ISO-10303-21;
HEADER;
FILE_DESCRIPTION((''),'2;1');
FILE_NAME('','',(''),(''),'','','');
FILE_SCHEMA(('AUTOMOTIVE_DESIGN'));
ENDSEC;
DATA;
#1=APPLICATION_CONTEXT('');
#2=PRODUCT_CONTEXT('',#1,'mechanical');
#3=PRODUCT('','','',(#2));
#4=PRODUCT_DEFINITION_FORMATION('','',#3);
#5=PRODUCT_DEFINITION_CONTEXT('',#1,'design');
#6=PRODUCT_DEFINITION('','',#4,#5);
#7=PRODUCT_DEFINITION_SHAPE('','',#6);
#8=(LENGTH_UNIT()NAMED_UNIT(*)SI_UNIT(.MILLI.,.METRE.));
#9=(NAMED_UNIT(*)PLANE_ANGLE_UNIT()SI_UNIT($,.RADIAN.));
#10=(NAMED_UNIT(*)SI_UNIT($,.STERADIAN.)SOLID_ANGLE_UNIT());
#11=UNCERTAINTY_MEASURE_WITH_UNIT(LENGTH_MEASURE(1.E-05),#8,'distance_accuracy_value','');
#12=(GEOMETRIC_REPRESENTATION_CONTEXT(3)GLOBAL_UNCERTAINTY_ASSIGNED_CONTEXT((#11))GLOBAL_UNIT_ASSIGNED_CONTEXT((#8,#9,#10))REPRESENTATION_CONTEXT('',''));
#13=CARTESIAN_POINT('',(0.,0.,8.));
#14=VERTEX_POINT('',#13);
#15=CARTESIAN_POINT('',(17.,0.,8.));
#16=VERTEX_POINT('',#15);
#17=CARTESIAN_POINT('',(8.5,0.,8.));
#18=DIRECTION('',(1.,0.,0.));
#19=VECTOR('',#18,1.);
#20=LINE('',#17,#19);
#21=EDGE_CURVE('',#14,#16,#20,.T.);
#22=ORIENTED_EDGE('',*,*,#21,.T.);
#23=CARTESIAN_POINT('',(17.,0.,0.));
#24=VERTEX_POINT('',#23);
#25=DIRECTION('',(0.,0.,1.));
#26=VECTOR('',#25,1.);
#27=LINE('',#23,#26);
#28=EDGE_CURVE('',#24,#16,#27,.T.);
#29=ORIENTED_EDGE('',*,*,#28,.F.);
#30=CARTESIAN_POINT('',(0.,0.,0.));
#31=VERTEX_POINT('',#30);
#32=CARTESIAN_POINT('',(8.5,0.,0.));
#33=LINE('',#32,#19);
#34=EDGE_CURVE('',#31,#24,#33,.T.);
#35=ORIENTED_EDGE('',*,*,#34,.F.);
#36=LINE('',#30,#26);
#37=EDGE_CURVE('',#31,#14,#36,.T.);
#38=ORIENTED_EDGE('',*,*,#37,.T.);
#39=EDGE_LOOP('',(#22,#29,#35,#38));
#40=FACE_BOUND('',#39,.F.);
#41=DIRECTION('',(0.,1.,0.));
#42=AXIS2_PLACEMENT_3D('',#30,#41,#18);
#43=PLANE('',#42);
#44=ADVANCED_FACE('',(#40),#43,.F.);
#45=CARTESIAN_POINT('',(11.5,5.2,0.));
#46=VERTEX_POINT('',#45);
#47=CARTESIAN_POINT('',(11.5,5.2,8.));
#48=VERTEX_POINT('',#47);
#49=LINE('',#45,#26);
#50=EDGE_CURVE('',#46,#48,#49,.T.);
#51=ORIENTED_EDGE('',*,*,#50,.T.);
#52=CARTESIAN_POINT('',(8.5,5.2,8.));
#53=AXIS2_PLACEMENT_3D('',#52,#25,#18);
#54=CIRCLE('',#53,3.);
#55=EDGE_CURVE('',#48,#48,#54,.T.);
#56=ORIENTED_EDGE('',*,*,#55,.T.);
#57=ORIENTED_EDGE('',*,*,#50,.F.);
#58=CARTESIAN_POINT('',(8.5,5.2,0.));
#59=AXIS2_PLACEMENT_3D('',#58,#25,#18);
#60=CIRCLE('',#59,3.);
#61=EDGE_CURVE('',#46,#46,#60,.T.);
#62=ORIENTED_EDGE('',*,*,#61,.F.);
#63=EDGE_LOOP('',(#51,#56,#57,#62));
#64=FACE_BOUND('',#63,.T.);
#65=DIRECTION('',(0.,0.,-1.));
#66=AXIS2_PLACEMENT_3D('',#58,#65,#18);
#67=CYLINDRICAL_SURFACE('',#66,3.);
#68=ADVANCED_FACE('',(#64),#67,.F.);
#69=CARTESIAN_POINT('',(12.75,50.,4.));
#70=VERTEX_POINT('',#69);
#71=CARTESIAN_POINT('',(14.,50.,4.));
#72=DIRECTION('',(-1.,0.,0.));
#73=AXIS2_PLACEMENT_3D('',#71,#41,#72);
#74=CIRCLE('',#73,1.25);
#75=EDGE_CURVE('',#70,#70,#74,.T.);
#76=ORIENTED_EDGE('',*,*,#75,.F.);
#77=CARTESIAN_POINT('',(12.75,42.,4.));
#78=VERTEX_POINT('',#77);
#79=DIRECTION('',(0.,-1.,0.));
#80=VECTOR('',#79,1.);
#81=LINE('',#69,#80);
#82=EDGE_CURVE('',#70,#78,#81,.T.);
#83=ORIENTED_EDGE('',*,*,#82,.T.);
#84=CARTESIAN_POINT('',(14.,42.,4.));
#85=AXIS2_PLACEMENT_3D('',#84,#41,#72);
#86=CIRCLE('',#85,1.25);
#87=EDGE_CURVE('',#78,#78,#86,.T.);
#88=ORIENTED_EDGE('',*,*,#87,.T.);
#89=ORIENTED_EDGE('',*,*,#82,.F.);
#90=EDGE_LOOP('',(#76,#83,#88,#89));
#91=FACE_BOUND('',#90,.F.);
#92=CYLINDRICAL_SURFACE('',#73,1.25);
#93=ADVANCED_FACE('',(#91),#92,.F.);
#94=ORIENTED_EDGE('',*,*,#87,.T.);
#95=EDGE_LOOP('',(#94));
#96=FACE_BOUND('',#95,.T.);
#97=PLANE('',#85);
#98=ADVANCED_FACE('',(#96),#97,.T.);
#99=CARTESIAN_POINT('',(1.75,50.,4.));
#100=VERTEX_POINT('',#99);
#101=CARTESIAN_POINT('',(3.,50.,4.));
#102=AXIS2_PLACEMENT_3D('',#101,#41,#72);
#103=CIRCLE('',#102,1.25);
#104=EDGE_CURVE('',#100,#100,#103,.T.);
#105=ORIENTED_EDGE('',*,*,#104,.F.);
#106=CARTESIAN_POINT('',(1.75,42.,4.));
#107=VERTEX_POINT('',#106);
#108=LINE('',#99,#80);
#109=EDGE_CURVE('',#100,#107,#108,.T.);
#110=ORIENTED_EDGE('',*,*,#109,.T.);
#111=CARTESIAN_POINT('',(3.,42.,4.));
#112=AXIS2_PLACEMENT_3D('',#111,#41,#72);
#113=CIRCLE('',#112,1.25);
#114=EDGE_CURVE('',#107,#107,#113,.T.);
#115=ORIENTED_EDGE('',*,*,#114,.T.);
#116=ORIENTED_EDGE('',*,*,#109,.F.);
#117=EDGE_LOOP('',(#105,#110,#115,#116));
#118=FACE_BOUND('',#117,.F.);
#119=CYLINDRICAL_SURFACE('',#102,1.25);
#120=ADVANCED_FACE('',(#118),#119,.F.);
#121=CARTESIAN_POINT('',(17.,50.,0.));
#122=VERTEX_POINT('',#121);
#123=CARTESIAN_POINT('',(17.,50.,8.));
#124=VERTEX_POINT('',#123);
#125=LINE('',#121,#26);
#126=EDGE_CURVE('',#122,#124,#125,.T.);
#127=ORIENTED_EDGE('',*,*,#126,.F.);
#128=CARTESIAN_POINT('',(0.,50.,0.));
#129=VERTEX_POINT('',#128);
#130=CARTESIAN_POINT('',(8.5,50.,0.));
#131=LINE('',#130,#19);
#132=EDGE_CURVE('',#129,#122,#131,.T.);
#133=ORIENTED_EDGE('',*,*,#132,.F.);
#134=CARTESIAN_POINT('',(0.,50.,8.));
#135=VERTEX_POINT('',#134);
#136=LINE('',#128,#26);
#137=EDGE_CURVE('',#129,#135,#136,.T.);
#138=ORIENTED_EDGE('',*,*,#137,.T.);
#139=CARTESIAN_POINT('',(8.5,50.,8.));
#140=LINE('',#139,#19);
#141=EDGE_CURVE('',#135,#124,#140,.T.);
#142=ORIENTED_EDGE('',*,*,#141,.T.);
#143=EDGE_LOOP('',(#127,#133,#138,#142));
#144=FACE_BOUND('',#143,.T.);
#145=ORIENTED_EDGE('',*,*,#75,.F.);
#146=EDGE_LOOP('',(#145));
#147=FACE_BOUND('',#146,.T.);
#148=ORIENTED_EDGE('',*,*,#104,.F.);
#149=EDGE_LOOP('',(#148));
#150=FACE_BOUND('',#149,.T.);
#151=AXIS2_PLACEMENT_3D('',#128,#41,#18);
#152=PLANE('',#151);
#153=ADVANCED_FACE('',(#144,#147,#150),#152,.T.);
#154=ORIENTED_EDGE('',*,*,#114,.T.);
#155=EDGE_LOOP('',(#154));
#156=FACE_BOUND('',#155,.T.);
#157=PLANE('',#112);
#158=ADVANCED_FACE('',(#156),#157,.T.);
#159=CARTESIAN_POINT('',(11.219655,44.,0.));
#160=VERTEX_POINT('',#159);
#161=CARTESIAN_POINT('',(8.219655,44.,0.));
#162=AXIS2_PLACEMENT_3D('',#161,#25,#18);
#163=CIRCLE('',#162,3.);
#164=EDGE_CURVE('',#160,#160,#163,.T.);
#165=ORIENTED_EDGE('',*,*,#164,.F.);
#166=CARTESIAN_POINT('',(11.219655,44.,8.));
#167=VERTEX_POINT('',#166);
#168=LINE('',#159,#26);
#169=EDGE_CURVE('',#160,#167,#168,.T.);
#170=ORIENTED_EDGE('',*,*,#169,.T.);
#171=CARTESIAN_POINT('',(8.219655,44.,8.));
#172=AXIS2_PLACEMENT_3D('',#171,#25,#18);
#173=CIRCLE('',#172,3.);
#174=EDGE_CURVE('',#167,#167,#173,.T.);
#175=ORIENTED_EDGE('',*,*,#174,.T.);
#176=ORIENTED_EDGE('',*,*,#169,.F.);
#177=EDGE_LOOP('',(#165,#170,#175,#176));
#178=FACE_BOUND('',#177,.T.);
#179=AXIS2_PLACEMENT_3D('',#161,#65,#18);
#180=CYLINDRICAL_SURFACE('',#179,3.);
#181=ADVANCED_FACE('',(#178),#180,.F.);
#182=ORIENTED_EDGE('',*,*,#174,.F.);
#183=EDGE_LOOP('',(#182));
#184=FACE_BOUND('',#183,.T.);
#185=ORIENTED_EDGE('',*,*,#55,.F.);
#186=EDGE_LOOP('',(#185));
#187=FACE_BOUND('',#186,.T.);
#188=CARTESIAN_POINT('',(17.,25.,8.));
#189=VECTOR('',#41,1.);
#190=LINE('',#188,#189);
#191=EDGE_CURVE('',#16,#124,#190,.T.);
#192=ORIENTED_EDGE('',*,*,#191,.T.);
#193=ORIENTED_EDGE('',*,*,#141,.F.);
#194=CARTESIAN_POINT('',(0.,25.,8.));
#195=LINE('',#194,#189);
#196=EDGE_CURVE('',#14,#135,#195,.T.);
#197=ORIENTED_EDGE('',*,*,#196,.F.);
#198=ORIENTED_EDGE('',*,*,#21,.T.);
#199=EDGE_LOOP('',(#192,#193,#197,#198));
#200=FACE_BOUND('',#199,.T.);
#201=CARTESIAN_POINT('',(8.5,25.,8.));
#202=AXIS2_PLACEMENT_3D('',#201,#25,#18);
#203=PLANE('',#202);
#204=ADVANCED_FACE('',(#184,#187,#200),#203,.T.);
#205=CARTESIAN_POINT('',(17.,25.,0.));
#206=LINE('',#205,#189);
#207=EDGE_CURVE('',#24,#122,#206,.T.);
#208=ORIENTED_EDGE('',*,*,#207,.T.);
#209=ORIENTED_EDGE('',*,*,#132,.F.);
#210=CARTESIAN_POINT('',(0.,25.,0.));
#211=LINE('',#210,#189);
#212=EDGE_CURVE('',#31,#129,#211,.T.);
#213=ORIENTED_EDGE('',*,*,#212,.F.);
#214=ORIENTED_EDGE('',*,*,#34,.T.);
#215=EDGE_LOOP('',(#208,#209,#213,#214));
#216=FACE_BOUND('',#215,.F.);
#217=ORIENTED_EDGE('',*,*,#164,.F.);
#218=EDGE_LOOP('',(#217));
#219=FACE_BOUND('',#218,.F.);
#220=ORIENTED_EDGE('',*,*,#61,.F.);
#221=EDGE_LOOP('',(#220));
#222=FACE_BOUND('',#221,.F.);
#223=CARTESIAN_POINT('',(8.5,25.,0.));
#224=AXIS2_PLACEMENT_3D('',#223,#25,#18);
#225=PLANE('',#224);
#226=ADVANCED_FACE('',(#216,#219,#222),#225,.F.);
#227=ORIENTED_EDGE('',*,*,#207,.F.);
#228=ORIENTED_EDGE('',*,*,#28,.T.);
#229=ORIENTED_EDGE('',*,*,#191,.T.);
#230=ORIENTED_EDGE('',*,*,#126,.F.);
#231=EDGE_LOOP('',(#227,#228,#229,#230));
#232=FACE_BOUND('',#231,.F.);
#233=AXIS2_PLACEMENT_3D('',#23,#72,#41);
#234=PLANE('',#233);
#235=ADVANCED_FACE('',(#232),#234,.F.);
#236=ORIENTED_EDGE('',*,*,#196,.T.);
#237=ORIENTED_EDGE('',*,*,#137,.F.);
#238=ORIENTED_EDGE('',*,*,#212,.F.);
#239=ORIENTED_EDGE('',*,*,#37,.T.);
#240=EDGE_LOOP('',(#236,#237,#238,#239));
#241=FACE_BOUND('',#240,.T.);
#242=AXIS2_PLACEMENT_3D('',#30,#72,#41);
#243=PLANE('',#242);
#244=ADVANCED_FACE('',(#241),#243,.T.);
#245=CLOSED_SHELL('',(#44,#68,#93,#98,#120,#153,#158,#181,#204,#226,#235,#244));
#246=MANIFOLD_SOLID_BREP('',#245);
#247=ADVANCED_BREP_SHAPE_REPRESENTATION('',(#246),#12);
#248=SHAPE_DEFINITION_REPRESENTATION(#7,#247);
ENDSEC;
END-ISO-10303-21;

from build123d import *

# Parameters (mm, degrees)
F0_W     = 17
F0_H     = 50
F0_R     = 3
F1_DEPTH = 8
F2_R     = 1.25
F3_DEPTH = 8


with BuildPart() as f1:
    # F0 (on Top) → F1 (new body)
    with BuildSketch(Plane.XY):
        with Locations((8.5, 25)):
            Rectangle(F0_W, F0_H)
        with Locations((8.5, 5.2)):
            Circle(F0_R, mode=Mode.SUBTRACT)
        with Locations((8.219655, 44)):
            Circle(F0_R, mode=Mode.SUBTRACT)
    extrude(amount=F1_DEPTH)

    # F2 (on face) → F3 (cut)
    with BuildSketch(Plane(origin=(0, 50, 0), x_dir=(-1, 0, 0), z_dir=(0, 1, 0))):
        with Locations((-14, 4)):
            Circle(F2_R)
        with Locations((-3, 4)):
            Circle(F2_R)
    extrude(amount=-F3_DEPTH, mode=Mode.SUBTRACT)


solid = f1.part
